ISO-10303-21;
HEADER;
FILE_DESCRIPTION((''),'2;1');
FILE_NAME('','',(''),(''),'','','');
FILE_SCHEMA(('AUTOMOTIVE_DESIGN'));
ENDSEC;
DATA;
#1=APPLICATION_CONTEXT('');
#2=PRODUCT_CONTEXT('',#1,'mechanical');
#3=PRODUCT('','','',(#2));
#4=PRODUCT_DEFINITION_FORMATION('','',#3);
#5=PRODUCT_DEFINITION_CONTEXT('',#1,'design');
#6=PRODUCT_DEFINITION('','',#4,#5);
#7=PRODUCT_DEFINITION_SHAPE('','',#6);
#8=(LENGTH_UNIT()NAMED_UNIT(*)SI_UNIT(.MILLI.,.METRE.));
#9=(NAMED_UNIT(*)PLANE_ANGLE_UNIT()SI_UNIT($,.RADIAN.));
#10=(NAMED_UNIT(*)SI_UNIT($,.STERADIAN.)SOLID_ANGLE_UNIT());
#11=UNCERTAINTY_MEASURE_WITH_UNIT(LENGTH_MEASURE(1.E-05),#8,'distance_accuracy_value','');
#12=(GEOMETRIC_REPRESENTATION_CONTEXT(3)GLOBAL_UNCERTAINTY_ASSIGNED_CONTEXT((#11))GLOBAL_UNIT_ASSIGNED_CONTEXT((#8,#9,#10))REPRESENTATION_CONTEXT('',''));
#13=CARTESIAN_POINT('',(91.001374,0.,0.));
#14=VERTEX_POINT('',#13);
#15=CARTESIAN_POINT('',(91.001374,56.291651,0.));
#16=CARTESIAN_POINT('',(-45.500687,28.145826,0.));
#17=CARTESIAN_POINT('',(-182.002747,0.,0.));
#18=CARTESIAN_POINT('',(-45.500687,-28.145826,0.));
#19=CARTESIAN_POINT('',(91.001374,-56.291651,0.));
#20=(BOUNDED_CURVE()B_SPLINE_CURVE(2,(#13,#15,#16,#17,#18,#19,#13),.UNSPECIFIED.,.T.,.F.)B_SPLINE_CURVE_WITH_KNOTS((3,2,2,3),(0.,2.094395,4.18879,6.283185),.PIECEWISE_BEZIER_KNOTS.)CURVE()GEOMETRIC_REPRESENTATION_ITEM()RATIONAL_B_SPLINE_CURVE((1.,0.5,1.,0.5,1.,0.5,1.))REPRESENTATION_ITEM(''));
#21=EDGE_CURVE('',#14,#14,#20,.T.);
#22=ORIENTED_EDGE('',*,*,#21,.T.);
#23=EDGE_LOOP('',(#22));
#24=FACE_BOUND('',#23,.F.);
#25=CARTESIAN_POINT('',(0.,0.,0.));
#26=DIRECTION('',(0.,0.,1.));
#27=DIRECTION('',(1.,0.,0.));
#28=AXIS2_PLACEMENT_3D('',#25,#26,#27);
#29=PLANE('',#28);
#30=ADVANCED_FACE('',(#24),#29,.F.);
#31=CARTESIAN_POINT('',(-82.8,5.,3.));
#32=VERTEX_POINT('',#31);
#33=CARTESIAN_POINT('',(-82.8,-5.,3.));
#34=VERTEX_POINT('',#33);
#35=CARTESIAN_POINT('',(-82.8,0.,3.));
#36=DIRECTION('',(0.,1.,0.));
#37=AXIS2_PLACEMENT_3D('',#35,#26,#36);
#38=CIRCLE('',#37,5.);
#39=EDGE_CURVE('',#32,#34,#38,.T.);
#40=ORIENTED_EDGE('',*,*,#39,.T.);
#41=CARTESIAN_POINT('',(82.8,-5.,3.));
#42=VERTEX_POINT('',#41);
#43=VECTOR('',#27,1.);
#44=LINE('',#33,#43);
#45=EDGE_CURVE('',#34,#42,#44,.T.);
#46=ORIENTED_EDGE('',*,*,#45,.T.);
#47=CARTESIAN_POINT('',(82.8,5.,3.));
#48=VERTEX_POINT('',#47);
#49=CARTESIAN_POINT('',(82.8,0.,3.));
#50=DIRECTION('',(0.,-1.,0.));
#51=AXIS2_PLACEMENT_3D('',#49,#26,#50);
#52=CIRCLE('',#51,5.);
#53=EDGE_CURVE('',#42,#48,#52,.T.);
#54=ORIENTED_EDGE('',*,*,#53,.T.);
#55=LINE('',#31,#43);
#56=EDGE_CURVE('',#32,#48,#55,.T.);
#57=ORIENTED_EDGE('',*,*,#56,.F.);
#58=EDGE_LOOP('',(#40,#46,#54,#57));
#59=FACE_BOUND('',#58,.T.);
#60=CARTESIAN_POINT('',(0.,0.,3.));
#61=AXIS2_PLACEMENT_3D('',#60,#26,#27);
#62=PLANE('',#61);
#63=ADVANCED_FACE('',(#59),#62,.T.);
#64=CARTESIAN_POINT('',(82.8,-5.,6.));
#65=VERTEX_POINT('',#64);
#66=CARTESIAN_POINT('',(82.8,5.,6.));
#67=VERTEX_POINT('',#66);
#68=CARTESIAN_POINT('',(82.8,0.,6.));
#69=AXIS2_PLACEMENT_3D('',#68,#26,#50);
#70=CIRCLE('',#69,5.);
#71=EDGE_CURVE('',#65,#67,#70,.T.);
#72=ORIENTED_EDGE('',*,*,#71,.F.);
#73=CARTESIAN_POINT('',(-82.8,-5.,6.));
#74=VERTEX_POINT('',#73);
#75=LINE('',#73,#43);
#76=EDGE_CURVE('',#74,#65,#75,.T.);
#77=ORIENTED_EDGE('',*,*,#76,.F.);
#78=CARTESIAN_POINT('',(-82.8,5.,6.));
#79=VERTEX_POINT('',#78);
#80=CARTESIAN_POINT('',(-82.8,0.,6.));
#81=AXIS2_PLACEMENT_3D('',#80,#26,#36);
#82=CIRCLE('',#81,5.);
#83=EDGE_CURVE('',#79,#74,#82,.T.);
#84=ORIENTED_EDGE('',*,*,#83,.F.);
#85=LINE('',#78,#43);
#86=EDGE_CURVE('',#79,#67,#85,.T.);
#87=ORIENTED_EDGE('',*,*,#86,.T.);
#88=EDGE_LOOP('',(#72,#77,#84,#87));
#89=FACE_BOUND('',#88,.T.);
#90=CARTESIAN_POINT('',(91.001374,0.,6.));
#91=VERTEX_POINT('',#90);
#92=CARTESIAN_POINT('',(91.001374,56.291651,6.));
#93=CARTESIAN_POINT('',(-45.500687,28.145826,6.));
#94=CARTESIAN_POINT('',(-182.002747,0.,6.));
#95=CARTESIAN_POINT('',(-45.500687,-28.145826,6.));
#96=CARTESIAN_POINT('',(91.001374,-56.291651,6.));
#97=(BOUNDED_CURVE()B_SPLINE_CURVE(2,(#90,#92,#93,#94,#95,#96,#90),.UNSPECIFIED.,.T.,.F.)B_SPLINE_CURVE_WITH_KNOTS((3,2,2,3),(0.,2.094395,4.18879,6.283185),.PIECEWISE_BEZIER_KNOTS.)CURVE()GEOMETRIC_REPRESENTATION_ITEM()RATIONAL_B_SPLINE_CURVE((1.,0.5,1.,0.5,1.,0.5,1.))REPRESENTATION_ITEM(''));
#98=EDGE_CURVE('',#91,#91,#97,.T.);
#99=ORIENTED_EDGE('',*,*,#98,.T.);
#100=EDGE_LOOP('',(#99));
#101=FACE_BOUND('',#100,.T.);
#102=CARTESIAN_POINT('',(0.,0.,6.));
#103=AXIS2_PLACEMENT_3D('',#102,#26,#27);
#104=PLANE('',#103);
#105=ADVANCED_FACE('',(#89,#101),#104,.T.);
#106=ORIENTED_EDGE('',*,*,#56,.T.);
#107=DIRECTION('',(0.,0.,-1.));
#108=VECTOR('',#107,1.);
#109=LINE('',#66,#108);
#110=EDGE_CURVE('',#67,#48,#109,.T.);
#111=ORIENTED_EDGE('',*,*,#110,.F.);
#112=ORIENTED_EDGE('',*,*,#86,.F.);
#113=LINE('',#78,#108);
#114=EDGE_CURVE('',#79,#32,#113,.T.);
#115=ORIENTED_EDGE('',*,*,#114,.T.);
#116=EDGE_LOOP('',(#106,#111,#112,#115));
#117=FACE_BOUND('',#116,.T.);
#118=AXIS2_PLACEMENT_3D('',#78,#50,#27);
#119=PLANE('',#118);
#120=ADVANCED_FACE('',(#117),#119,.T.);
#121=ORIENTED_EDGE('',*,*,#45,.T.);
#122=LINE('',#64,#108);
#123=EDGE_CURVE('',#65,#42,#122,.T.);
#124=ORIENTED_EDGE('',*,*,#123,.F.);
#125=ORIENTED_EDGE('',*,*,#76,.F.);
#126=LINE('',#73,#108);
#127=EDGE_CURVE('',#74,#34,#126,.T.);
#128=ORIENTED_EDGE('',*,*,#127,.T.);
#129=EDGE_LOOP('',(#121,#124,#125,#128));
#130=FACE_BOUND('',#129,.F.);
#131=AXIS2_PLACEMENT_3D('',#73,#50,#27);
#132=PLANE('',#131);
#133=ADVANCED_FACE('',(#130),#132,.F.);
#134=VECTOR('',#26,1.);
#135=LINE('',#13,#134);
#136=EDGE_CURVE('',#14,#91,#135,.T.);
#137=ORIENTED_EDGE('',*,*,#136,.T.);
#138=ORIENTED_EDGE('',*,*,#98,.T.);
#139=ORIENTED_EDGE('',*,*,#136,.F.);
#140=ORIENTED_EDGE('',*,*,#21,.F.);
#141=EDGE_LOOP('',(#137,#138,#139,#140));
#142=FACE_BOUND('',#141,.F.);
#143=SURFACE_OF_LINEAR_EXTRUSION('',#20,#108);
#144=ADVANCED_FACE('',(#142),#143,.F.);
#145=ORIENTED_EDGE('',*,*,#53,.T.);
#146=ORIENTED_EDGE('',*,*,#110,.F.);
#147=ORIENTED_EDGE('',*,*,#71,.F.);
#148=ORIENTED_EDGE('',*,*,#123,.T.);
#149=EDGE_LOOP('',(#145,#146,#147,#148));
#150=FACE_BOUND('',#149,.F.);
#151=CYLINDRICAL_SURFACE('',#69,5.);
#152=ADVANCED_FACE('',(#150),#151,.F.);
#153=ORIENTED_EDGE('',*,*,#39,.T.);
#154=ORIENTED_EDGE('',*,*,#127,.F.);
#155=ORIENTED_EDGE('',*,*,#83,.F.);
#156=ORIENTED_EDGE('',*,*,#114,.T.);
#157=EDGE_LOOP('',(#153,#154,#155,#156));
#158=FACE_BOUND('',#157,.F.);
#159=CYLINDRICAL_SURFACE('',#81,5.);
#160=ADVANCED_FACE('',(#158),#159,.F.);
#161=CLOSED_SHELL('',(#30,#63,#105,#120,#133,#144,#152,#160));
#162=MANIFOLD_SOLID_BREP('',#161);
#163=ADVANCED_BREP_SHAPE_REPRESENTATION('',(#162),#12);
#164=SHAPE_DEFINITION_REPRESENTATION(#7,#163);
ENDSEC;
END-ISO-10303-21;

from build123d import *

# Parameters (mm, degrees)
PAD_DEPTH    = 6
POCKET_DEPTH = 3


with BuildPart() as part:
    # Sketch → Pad (new body)
    with BuildSketch(Plane.XY):
        with BuildLine():
            add(Edge.make_bspline(
                [(91.001374, 0), (91.001374, 56.291651), (-45.500687, 28.145826), (-182.002747, 0), (-45.500687, -28.145826), (91.001374, -56.291651), (91.001374, 0)],
                knots=[0, 0, 0, 2.094395, 2.094395, 4.18879, 4.18879, 6.283185, 6.283185, 6.283185], degree=2, weights=[1, 0.5, 1, 0.5, 1, 0.5, 1]))
        make_face()
    extrude(amount=PAD_DEPTH)

    # Sketch001 (on Face3 of Pad) → Pocket (cut)
    with BuildSketch(Plane.XY.offset(6)):
        with BuildLine():
            ThreePointArc((-82.8, 5), (-87.8, 0), (-82.8, -5))
            Line((-82.8, -5), (82.8, -5))
            ThreePointArc((82.8, -5), (87.8, 0), (82.8, 5))
            Line((-82.8, 5), (82.8, 5))
        make_face()
    extrude(amount=-POCKET_DEPTH, mode=Mode.SUBTRACT)


solid = part.part
